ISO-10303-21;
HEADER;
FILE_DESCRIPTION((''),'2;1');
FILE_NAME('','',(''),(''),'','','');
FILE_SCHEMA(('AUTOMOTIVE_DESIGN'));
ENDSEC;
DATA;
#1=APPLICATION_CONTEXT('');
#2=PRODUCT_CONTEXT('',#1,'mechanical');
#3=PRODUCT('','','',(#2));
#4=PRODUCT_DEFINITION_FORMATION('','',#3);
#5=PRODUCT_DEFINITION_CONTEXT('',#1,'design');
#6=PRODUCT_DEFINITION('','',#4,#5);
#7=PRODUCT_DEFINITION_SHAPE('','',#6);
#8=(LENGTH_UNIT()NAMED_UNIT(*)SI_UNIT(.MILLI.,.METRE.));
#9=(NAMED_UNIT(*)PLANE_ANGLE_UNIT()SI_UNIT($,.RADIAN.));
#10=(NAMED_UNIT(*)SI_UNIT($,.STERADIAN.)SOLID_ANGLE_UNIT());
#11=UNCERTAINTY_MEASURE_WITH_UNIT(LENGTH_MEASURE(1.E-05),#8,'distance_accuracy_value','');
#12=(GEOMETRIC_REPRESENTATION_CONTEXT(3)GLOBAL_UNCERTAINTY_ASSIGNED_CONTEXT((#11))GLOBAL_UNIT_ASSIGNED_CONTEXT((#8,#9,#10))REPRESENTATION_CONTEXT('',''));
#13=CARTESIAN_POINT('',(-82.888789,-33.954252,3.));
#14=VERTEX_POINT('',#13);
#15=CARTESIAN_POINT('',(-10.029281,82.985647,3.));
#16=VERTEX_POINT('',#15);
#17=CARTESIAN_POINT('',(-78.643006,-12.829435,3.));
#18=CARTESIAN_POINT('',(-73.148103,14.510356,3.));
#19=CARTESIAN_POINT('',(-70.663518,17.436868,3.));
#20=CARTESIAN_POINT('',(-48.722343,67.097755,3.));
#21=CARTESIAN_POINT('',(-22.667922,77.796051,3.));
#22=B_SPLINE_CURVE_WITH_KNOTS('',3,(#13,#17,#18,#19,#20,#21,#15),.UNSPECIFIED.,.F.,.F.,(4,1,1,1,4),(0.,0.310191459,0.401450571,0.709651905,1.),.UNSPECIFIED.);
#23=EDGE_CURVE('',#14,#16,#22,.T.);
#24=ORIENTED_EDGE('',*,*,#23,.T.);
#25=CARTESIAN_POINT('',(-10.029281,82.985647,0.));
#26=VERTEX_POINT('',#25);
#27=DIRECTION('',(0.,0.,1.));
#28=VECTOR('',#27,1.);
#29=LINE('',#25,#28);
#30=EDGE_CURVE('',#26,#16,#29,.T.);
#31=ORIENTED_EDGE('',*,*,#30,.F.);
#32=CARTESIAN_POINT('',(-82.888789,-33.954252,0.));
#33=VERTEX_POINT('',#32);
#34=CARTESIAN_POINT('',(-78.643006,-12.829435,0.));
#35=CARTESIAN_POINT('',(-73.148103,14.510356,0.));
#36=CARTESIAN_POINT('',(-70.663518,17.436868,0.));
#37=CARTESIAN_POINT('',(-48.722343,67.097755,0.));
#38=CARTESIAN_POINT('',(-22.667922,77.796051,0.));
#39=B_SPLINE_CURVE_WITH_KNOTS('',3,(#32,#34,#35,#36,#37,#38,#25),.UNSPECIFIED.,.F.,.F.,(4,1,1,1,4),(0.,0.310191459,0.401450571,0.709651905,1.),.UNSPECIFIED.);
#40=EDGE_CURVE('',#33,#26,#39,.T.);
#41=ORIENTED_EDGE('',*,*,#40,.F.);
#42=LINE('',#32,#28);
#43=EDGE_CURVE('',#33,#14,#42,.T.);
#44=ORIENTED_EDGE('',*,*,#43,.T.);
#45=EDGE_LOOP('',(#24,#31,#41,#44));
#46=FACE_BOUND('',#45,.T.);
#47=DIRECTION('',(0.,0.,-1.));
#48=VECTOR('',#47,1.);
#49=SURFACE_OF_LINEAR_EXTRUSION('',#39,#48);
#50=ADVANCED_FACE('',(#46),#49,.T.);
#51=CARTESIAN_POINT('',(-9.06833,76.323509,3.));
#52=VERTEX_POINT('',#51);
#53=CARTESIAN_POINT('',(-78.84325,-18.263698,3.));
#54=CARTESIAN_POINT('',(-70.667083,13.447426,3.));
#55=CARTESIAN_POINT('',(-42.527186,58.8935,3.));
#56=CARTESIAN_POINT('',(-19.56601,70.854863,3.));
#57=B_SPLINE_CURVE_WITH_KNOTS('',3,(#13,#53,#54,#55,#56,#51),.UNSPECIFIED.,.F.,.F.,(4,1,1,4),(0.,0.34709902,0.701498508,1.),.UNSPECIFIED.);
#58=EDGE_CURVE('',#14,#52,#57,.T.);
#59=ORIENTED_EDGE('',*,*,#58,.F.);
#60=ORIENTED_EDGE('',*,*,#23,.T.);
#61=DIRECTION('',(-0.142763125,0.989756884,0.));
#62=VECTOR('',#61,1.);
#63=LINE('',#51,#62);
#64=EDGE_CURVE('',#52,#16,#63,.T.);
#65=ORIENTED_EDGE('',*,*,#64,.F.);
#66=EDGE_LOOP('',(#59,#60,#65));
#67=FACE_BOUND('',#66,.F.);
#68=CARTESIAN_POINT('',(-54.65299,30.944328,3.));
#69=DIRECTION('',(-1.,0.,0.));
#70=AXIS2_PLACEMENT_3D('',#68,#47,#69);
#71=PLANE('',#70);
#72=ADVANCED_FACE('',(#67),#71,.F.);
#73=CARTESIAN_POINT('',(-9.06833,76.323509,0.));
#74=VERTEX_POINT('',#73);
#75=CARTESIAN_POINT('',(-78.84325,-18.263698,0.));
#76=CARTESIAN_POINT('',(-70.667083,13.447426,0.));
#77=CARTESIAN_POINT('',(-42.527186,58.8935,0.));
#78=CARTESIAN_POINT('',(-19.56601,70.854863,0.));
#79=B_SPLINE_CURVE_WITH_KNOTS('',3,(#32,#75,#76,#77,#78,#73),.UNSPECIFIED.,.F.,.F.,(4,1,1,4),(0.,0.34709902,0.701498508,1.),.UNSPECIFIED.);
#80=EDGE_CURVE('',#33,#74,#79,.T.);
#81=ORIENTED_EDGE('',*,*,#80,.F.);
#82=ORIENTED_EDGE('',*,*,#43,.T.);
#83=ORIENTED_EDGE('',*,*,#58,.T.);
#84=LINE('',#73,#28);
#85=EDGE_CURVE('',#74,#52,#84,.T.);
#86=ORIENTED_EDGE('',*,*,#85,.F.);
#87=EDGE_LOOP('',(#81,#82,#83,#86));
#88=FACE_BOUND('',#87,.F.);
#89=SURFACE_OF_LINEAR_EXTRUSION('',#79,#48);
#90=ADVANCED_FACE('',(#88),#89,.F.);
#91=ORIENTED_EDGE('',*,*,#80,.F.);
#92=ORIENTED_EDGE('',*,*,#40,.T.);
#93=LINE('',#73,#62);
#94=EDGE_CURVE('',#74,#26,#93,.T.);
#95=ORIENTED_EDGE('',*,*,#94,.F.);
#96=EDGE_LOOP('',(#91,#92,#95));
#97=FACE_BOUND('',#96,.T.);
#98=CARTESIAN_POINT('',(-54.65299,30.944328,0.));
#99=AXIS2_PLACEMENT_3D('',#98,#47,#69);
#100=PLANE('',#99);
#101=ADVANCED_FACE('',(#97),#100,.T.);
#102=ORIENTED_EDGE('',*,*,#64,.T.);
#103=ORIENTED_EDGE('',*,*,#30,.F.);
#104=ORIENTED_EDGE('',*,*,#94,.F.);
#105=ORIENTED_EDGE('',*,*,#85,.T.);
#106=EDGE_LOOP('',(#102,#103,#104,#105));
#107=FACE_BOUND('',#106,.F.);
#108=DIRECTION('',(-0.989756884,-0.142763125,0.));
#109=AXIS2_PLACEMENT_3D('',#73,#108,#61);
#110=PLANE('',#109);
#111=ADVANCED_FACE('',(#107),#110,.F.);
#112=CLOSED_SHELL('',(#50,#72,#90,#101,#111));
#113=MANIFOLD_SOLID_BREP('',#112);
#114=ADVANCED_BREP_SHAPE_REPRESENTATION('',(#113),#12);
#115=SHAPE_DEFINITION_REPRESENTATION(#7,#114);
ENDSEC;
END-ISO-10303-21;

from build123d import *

# Parameters (mm, degrees)
F2_DEPTH = 3


with BuildPart() as f2:
    # F1 (on face) → F2 (new body)
    with BuildSketch(Plane.XY):
        with BuildLine():
            add(Edge.make_bspline(
                [(-82.888789475, -33.9542515576), (-78.6430063088, -12.8294348201), (-73.1481029922, 14.5103564532), (-70.6635181609, 17.4368679279), (-48.7223429606, 67.0977554261), (-22.6679218677, 77.7960509921), (-10.0292805582, 82.9856470227)],
                knots=[0, 0, 0, 0, 0.3101914588, 0.4014505708, 0.7096519046, 1, 1, 1, 1], degree=3))
            add(Edge.make_bspline(
                [(-82.888789475, -33.9542515576), (-78.8432504968, -18.2636977957), (-70.6670834969, 13.4474261291), (-42.5271863476, 58.8935003545), (-19.5660097192, 70.8548628644), (-9.0683298185, 76.3235092163)],
                knots=[0, 0, 0, 0, 0.3470990203, 0.7014985076, 1, 1, 1, 1], degree=3))
            Line((-9.0683298185, 76.3235092163), (-10.0292805582, 82.9856470227))
        make_face()
    extrude(amount=F2_DEPTH)


solid = f2.part
